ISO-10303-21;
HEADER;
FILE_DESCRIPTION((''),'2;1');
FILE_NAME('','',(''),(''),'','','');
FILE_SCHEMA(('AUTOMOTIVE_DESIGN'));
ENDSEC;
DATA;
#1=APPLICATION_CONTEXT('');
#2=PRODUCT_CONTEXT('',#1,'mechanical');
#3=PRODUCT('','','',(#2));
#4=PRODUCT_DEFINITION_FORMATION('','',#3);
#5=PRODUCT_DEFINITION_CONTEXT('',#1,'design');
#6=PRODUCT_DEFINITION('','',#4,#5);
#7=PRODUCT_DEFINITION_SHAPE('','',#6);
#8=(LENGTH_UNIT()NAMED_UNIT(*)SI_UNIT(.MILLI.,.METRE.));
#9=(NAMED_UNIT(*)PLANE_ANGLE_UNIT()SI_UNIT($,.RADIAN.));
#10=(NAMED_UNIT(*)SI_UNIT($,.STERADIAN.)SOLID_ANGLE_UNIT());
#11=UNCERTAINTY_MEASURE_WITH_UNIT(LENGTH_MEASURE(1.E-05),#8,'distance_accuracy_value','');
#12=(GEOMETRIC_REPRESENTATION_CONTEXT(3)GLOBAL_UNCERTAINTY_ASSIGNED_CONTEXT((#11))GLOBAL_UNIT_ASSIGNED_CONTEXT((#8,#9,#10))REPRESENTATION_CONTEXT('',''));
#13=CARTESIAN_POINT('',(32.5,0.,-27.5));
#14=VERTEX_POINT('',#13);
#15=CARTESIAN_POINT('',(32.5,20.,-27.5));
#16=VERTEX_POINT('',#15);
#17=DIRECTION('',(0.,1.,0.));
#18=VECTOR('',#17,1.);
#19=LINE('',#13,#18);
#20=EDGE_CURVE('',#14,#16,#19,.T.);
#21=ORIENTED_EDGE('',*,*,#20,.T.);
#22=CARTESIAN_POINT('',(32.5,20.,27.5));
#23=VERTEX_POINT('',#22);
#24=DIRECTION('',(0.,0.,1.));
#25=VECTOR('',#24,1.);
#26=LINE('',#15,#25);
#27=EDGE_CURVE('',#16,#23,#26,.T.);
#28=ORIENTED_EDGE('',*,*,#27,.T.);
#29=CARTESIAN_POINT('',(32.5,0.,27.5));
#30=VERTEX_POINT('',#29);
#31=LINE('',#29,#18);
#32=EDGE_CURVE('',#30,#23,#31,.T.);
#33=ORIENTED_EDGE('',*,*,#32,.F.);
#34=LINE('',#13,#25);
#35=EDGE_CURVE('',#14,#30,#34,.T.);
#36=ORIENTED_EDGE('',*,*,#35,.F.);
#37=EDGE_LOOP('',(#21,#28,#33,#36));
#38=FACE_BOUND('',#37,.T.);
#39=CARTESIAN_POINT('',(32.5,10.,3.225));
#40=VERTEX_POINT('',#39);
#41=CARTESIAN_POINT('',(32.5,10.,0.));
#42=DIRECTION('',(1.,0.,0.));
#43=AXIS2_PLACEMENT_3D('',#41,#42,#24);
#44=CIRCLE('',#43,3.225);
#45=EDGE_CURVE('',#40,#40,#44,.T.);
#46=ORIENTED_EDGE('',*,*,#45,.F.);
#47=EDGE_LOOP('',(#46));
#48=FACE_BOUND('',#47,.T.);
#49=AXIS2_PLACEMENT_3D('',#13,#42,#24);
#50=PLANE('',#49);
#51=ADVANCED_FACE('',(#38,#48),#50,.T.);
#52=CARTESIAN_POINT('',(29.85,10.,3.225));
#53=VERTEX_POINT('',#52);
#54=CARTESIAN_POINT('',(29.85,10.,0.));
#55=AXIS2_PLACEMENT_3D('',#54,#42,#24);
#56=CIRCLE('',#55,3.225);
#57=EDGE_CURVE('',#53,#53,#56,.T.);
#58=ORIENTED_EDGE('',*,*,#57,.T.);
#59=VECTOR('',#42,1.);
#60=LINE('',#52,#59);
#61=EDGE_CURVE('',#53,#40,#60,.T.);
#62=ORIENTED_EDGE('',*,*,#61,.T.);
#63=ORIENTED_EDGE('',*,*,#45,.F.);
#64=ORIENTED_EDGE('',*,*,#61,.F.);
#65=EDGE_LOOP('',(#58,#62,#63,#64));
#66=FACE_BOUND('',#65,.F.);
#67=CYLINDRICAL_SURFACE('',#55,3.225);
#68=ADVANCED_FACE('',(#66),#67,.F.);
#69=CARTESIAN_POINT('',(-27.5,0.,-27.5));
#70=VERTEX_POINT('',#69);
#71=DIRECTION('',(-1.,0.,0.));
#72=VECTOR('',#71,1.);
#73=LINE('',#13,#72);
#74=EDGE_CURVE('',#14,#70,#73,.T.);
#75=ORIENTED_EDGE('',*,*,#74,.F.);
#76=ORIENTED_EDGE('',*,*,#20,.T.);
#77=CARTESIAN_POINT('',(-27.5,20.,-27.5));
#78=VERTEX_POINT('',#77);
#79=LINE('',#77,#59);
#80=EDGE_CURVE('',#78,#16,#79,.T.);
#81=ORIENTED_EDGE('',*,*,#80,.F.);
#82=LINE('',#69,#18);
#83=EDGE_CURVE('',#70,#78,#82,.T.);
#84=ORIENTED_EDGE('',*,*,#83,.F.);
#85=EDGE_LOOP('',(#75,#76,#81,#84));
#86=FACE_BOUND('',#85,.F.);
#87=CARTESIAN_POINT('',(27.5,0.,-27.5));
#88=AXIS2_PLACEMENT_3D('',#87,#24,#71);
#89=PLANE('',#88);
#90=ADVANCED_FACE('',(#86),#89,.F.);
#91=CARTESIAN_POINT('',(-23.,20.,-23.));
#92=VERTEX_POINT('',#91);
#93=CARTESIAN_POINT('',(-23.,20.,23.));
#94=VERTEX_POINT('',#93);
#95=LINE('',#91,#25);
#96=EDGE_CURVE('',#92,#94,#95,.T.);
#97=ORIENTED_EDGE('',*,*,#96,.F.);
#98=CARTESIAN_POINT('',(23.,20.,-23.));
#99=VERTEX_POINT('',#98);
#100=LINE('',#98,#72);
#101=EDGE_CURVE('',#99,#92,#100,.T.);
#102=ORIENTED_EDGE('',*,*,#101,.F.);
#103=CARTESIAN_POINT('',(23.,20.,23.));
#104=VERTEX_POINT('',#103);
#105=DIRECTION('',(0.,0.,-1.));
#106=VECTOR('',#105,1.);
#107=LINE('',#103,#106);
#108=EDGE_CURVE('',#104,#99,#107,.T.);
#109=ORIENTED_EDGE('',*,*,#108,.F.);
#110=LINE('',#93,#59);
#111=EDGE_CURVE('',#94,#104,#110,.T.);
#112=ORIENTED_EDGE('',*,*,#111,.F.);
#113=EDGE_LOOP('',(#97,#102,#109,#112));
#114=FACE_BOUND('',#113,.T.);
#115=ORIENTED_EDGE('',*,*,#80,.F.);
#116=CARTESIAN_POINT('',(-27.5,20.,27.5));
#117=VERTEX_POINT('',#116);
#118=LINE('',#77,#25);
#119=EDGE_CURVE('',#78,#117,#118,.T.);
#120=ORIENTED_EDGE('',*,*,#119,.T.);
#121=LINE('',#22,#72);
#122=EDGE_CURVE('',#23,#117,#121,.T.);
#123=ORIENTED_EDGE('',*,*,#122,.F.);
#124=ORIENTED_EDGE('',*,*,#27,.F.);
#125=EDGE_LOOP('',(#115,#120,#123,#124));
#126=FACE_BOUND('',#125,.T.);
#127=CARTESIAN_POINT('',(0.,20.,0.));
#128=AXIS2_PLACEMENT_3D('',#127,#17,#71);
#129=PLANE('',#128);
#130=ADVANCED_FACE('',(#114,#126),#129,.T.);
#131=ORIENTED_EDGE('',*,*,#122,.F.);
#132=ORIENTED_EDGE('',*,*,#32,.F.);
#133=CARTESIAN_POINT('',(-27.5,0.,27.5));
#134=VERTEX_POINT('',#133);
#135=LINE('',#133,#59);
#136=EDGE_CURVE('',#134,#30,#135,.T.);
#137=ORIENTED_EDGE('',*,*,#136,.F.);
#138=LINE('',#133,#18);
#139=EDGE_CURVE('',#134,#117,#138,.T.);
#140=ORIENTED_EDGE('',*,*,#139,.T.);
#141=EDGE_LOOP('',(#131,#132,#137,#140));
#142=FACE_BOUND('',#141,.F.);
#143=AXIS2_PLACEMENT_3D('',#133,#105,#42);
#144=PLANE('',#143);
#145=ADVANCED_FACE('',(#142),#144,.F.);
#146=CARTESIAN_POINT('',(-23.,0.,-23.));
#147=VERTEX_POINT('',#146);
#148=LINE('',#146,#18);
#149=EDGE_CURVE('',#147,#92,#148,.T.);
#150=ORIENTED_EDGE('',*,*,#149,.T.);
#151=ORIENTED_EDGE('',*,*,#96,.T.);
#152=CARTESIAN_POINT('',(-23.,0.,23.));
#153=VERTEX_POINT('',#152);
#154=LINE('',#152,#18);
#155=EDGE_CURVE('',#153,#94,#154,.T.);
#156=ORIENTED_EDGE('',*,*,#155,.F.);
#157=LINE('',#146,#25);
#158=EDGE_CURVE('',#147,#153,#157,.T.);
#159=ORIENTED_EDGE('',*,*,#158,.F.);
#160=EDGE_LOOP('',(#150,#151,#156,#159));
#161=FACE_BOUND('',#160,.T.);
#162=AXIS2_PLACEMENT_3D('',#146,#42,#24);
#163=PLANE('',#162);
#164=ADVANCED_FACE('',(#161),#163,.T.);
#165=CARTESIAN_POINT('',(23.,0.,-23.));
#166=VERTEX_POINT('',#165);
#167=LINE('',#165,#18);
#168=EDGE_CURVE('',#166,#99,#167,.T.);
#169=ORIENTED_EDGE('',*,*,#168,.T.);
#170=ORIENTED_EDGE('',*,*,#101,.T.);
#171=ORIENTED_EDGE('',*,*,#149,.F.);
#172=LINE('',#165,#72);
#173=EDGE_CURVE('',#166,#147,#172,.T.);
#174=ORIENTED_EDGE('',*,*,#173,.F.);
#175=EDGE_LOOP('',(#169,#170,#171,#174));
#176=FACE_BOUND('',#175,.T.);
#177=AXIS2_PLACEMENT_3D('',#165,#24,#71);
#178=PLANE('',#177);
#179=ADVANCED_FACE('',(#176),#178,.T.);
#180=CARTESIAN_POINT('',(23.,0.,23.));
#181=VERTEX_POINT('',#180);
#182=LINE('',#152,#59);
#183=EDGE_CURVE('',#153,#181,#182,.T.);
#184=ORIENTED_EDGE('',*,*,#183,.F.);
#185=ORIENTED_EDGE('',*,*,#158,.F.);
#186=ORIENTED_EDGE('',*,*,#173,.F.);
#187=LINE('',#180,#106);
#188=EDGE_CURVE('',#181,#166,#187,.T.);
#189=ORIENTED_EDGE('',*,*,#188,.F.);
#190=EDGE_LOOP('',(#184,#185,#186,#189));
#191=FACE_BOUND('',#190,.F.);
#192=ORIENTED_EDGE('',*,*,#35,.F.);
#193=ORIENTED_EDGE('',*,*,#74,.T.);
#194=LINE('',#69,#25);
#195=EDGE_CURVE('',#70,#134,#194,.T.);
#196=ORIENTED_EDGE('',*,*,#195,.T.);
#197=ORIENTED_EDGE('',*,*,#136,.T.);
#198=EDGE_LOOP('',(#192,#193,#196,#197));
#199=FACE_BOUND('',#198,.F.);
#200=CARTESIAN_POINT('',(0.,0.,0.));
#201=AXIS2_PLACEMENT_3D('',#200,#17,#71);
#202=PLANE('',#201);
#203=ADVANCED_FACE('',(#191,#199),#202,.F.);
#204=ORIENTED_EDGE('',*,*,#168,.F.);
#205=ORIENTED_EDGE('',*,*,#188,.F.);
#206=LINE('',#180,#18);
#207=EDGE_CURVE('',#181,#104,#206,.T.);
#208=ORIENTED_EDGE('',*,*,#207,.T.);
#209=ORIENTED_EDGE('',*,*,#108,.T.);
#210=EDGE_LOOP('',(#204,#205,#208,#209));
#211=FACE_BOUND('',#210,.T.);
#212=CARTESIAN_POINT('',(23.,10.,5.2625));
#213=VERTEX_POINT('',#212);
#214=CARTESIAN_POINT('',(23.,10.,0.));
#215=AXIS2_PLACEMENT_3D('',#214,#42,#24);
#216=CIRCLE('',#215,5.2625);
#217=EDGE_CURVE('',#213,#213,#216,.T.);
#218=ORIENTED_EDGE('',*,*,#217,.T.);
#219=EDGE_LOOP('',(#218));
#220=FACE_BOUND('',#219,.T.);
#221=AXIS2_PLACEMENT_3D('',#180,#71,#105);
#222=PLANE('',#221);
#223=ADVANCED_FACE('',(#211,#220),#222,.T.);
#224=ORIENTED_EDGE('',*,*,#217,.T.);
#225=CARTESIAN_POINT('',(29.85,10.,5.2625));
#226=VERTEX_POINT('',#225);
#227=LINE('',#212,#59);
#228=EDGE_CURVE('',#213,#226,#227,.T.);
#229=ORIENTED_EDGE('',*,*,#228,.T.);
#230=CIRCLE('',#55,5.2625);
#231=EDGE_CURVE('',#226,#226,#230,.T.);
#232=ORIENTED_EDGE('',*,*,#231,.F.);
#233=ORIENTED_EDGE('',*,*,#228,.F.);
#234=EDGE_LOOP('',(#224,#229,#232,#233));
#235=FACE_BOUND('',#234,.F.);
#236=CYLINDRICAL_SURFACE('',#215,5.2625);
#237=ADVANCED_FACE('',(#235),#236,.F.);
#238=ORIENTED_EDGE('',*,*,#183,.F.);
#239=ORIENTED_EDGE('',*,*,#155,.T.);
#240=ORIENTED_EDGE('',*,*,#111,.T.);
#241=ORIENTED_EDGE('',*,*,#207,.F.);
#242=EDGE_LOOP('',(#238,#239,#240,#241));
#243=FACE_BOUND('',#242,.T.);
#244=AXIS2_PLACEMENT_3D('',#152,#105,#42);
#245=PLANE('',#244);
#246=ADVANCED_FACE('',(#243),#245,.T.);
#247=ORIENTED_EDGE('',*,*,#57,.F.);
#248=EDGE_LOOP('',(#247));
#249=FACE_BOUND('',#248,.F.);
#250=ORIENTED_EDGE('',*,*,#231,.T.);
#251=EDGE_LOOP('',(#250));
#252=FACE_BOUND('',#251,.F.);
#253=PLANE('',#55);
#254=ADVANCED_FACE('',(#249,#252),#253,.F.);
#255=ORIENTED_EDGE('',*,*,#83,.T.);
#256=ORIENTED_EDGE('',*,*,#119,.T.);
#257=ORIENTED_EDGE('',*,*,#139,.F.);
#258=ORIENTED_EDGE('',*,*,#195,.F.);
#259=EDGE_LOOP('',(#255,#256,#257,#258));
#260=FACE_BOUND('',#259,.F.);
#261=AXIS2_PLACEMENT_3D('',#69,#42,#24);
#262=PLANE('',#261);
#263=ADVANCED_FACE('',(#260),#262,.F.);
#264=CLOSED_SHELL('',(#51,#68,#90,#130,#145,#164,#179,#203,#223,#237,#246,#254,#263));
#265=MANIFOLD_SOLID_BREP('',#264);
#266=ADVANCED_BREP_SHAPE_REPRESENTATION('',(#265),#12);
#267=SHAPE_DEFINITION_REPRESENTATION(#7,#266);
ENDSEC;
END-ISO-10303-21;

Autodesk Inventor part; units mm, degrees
ref_plane "YZ Plane" through (0, 0, 0) normal (1, 0, 0) x (0, 1, 0)
ref_plane "XZ Plane" through (0, 0, 0) normal (0, 1, 0) x (-1, 0, 0)
ref_plane "XY Plane" through (0, 0, 0) normal (0, 0, 1) x (1, 0, 0)
sketch "Sketch1" plane through (0, 0, 0) normal (0, 1, 0) x (-1, 0, 0)
  line L0 (23, 23) -> (-23, 23)
  line L1 (-23, 23) -> (-23, -23)
  line L2 (-23, -23) -> (23, -23)
  line L3 (23, -23) -> (23, 23)
  line L4 (23, 23) -> (-23, -23) construction
  line L5 (-23, 23) -> (23, -23) construction
  line L6 (27.5, 27.5) -> (-27.5, 27.5)
  line L7 (-27.5, 27.5) -> (-27.5, -27.5)
  line L8 (-27.5, -27.5) -> (27.5, -27.5)
  line L9 (27.5, -27.5) -> (27.5, 27.5)
  line L10 (27.5, 27.5) -> (-27.5, -27.5) construction
  line L11 (-27.5, 27.5) -> (27.5, -27.5) construction
  line L12 (27.5, 27.5) -> (27.5, -27.5)
  line L13 (27.5, -27.5) -> (-32.5, -27.5)
  line L14 (-32.5, -27.5) -> (-32.5, 27.5)
  line L15 (-32.5, 27.5) -> (27.5, 27.5)
  point P0 (0, 0)
  dimension "d0" = 46
  dimension "d1" = 46
  dimension "d2" = 55
  dimension "d3" = 55
  dimension "d4" = 60
extrude "Extrusion1" add sketch "Sketch1" along normal blind 20
hole "Hole1" at (23, 10, 0) direction (1, 0, 0) diameter 6.45 end through all counterbore diameter 10.525 counterbore depth 6.85
properties part number "pid-holder"
